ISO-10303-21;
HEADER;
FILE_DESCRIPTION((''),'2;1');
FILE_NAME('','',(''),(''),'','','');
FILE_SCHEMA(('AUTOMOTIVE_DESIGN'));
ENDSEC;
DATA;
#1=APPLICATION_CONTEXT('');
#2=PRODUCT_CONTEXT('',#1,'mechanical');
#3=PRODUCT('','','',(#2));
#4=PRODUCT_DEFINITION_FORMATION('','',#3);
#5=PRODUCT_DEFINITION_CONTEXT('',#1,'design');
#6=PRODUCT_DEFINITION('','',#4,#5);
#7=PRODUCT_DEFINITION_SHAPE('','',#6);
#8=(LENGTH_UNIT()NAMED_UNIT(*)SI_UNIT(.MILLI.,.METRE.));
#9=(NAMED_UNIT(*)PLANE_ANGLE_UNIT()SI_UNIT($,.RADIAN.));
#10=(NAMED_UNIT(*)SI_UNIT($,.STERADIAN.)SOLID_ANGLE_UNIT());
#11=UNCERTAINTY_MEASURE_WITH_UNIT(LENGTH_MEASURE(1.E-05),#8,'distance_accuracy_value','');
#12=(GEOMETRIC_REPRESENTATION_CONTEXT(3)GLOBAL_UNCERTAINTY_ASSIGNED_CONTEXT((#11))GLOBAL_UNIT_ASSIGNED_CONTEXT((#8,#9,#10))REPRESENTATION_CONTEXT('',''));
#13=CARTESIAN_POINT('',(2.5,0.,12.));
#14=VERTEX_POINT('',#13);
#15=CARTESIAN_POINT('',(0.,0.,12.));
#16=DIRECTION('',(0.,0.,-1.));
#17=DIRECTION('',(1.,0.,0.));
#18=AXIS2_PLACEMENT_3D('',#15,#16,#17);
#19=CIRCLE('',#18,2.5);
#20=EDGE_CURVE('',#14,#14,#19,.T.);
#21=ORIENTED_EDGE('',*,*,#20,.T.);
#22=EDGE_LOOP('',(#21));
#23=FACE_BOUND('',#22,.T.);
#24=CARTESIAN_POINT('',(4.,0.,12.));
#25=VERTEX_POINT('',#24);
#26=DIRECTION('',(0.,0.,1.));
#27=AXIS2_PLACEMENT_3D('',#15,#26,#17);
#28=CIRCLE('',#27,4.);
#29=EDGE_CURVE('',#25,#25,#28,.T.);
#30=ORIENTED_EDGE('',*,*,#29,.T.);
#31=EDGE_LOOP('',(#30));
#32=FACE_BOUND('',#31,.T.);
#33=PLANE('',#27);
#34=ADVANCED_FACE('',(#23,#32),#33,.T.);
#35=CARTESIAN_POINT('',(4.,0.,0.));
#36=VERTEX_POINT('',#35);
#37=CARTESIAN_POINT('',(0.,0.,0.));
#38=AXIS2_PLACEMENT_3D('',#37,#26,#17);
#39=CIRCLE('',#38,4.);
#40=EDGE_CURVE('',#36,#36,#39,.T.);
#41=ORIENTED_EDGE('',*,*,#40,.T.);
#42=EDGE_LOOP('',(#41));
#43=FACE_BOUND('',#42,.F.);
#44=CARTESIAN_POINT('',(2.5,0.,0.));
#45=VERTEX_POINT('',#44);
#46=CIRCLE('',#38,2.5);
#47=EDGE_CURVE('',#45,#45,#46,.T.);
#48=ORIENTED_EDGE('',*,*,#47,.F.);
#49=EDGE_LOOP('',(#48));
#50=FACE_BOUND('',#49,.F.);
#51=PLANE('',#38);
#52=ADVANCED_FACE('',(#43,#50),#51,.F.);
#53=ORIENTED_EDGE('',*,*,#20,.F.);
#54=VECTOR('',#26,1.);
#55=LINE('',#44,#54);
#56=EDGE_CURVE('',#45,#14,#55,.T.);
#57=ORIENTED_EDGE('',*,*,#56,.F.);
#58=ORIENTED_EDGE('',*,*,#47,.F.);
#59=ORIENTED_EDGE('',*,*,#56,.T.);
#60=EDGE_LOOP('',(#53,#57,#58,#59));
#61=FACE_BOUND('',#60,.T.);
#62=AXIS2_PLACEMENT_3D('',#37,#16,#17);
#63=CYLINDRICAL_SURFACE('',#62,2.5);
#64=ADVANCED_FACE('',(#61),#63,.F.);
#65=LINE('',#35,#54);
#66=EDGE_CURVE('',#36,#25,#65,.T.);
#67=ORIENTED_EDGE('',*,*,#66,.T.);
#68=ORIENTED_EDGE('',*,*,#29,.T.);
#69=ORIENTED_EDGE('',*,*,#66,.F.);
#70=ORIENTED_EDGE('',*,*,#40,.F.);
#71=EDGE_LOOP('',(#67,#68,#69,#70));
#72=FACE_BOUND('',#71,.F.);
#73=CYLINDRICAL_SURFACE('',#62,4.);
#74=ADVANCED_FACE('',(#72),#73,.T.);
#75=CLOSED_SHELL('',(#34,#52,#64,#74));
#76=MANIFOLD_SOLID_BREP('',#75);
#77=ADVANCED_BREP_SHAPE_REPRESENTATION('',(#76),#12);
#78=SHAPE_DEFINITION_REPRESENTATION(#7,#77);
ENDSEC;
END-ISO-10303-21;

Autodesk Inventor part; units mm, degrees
ref_plane "YZ Plane" through (0, 0, 0) normal (1, 0, 0) x (0, 1, 0)
ref_plane "XZ Plane" through (0, 0, 0) normal (0, 1, 0) x (-1, 0, 0)
ref_plane "XY Plane" through (0, 0, 0) normal (0, 0, 1) x (1, 0, 0)
sketch "Skizze1" plane through (0, 0, 0) normal (0, 0, 1) x (1, 0, 0)
  circle A0 centre (0, 0) radius 4
extrude "Extrusion1" add sketch "Skizze1" along normal blind 12
sketch "Skizze2" plane through (0, 0, 0) normal (0, 0, 1) x (1, 0, 0)
  circle A0 centre (0, 0) radius 2.5
extrude "Extrusion2" cut sketch "Skizze2" along normal blind 13
properties part number "Feder"
